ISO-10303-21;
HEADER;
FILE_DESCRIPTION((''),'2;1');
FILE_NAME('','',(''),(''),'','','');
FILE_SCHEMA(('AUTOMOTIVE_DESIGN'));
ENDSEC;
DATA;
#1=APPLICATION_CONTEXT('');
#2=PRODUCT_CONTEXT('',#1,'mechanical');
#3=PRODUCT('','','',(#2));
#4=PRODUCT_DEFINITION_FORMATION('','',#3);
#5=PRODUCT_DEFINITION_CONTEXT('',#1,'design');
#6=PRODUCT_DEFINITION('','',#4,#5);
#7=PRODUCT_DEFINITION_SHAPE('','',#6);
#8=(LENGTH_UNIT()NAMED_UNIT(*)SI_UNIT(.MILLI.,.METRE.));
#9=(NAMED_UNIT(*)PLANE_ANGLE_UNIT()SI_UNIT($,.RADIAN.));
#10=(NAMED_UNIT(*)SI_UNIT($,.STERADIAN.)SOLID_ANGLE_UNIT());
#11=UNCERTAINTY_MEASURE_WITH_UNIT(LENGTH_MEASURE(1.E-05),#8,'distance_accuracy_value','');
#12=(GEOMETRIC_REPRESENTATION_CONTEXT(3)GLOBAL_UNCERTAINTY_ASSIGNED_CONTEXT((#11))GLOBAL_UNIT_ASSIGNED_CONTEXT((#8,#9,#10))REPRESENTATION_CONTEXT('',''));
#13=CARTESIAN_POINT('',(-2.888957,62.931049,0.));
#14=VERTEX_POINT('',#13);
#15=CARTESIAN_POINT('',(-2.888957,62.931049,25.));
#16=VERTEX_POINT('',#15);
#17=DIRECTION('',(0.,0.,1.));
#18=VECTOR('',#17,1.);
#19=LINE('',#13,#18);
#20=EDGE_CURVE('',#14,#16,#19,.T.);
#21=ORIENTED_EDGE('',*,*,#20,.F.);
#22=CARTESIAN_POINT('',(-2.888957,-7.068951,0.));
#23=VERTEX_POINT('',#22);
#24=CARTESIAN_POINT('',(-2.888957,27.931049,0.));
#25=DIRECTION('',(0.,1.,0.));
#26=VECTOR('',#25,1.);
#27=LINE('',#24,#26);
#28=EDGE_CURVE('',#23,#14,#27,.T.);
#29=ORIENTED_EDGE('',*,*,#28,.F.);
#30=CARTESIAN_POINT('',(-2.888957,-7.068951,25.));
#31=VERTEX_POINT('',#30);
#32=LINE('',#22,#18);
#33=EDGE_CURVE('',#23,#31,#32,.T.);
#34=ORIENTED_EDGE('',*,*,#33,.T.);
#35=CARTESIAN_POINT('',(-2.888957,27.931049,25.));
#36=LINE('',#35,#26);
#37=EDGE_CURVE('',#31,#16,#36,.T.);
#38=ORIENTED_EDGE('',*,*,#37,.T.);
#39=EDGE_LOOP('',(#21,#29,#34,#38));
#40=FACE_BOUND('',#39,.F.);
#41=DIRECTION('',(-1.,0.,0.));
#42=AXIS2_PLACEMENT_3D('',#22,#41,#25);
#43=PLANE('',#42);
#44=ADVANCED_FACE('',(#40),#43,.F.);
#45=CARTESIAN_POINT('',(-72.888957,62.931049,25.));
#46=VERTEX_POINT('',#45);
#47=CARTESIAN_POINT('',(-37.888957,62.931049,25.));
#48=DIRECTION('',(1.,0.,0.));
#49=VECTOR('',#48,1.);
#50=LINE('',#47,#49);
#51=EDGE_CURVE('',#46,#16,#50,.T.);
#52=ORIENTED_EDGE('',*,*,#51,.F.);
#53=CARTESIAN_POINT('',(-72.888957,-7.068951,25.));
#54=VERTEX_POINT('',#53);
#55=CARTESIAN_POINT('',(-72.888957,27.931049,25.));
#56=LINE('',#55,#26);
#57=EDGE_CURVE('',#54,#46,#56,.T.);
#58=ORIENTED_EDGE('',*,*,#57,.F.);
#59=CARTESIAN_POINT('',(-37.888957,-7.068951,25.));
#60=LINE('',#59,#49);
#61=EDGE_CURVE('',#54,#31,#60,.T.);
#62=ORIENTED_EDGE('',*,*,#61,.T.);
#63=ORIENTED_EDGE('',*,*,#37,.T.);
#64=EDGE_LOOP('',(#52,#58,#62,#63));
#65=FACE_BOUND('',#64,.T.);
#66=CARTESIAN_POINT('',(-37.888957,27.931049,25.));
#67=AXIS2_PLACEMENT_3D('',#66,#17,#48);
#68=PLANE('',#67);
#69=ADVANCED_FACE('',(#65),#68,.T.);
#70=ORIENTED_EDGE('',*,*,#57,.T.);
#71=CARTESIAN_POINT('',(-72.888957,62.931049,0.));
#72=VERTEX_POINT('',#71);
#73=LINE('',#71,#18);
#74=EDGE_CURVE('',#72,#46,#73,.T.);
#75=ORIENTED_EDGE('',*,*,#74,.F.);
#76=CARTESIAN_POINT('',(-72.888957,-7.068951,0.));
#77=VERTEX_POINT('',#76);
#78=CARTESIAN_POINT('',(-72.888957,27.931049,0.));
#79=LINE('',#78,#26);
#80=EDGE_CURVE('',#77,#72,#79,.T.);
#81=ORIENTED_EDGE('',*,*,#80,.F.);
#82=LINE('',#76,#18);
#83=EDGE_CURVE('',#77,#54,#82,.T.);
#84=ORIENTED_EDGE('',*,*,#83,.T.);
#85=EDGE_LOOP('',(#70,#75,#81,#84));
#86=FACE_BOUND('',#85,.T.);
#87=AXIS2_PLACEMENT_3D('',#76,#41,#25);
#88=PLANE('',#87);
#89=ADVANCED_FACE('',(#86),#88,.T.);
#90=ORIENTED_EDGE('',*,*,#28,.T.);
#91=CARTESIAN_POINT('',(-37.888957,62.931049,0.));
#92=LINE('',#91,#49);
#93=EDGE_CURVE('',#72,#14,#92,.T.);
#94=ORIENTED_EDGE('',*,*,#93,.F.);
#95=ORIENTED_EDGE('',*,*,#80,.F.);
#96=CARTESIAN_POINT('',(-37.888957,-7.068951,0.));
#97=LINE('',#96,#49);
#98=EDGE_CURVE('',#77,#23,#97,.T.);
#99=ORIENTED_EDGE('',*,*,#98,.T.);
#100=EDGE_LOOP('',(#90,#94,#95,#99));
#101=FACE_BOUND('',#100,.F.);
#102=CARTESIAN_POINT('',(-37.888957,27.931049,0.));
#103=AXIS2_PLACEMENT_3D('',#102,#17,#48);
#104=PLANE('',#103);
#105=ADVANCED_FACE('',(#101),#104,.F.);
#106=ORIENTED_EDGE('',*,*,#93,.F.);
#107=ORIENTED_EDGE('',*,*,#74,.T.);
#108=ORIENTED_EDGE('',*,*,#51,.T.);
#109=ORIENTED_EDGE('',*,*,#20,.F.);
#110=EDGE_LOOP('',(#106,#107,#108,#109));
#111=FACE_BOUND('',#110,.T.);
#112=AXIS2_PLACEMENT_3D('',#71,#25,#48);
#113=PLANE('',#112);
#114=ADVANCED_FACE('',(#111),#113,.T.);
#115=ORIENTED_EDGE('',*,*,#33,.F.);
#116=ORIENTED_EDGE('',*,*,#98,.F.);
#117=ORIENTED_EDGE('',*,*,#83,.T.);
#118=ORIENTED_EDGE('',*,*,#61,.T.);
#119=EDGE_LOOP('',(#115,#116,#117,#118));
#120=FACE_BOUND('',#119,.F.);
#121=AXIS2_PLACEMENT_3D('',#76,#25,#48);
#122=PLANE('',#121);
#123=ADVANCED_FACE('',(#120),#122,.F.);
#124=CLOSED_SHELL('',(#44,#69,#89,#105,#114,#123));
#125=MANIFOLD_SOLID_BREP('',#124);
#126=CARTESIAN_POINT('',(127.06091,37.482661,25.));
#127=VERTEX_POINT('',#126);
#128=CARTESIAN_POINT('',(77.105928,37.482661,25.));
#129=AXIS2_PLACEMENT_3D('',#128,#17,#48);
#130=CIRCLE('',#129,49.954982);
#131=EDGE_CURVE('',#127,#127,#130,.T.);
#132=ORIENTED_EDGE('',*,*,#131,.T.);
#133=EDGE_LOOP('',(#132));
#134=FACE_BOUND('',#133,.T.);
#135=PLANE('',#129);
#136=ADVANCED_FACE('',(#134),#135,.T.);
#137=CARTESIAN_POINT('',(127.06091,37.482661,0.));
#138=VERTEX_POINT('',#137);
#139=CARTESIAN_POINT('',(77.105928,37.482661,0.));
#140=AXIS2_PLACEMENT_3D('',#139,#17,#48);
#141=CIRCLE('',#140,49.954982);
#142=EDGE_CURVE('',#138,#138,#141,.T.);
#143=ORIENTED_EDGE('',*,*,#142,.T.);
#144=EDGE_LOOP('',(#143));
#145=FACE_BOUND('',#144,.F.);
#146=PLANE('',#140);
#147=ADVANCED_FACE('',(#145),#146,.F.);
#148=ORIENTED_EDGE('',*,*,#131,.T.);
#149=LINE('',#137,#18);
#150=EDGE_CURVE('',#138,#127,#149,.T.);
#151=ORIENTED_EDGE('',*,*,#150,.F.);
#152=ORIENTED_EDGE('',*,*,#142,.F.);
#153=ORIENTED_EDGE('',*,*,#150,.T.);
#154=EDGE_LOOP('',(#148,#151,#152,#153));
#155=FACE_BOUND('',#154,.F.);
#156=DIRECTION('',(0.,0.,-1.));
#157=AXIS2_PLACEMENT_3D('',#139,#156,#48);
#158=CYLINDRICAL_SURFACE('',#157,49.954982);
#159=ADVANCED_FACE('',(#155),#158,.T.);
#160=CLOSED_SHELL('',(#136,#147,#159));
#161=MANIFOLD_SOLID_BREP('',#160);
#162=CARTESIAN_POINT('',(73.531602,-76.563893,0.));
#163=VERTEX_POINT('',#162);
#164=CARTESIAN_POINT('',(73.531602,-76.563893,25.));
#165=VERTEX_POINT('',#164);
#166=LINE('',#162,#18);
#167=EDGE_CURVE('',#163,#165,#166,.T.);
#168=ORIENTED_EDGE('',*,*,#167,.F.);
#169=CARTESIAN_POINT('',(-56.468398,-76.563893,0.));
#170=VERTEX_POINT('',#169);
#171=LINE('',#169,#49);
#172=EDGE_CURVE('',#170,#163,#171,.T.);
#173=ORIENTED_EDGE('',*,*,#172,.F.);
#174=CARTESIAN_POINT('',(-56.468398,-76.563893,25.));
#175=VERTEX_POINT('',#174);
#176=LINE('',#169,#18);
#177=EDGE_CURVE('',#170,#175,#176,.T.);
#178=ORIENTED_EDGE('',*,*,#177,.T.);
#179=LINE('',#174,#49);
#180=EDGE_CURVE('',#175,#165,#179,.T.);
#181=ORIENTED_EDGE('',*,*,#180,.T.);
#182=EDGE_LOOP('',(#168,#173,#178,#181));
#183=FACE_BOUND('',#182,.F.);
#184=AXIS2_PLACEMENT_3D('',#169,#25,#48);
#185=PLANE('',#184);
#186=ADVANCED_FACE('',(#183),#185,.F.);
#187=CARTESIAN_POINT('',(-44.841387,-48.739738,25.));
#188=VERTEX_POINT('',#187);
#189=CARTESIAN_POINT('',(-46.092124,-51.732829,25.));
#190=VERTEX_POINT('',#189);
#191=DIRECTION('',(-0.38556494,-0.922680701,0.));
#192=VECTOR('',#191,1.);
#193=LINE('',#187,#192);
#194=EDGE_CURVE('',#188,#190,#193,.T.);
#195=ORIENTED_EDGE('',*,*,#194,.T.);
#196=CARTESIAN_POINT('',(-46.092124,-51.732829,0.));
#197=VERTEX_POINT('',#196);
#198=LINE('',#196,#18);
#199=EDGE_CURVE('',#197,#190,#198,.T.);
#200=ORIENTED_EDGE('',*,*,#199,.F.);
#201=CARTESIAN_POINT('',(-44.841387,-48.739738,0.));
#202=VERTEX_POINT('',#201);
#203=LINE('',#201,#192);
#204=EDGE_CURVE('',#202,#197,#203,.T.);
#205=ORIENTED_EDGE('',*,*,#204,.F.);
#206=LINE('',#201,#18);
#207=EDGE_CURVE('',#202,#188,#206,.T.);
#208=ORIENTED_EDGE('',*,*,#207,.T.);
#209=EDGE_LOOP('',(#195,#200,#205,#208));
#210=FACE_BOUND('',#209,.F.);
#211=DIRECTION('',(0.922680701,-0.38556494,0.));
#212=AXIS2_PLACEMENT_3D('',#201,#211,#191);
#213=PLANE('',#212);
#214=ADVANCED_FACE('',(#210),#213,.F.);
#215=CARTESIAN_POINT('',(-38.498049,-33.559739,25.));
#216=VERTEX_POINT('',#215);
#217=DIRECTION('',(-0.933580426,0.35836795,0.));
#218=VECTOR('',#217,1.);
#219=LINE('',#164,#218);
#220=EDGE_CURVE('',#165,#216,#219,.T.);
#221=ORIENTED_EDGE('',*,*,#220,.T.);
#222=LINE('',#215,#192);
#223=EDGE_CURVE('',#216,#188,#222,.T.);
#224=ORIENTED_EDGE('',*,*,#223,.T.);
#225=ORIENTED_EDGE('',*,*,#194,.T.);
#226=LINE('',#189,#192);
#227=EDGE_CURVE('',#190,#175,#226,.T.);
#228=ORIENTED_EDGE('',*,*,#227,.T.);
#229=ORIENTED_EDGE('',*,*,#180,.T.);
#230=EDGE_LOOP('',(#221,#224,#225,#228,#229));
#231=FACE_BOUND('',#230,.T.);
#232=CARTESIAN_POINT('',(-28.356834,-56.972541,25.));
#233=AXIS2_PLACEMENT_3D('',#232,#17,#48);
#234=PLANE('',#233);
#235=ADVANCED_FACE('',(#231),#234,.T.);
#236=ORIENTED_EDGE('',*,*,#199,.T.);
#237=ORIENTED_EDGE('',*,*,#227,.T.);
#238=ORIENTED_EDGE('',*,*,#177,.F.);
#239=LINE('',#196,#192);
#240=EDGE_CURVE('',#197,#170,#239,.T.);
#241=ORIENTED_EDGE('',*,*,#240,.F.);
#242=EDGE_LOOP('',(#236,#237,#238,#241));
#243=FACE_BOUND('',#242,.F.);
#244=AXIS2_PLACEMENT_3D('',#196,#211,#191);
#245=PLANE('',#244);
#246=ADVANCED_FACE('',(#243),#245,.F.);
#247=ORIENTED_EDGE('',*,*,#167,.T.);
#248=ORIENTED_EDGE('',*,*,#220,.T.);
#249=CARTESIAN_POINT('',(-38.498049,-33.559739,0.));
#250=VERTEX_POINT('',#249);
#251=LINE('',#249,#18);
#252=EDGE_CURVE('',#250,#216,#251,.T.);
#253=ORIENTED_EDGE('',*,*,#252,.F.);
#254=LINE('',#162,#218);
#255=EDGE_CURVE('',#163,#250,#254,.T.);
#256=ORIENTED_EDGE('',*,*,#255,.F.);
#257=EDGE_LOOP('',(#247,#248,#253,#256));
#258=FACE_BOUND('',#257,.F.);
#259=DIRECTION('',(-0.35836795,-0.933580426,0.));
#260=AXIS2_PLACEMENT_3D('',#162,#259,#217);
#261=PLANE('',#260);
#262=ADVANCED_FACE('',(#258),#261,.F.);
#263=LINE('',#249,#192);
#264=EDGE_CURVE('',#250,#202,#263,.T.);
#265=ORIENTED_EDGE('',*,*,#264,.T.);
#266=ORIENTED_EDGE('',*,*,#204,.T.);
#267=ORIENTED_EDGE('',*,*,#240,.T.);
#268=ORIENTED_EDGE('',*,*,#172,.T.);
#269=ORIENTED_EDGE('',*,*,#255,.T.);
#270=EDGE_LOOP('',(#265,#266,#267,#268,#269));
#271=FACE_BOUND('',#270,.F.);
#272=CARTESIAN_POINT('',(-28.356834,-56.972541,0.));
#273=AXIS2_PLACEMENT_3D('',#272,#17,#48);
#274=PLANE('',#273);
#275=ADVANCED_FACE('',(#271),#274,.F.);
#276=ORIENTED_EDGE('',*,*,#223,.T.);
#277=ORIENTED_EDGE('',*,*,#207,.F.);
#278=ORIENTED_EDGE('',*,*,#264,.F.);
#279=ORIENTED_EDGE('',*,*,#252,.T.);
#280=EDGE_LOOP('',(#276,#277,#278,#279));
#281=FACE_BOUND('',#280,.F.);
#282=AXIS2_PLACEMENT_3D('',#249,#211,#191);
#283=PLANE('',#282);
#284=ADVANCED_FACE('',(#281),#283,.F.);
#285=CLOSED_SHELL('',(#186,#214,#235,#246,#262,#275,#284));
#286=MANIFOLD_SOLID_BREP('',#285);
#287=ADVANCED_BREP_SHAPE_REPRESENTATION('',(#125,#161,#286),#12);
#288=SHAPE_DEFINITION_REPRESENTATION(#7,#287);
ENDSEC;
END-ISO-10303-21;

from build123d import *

# Parameters (mm, degrees)
F0_W     = 70
F0_H     = 70
F0_R     = 34.7176544055
F1_DEPTH = 25
F0_R_2   = 49.9549817162


with BuildPart() as f1:
    # F0 (on Top) → F1 (new body)
    with BuildSketch(Plane.XY):
        with Locations((-37.8889573056, 27.9310488008)):
            Rectangle(F0_W, F0_H)
        with Locations((-37.8889573056, 27.9310488008)):
            Circle(F0_R, mode=Mode.SUBTRACT)
        with Locations((-37.8889573056, 27.9310488008)):
            Circle(F0_R)
    extrude(amount=F1_DEPTH)


with BuildPart() as f1b:
    # F0 (on Top) → F1, piece 2 (new body)
    with BuildSketch(Plane.XY):
        with Locations((77.1059280634, 37.4826608133)):
            Circle(F0_R_2)
        with Locations((77.1059280634, 37.4826608133)):
            Rectangle(F0_W, F0_H, mode=Mode.SUBTRACT)
        with Locations((77.1059280634, 37.4826608133)):
            Rectangle(F0_W, F0_H)
    extrude(amount=F1_DEPTH)


with BuildPart() as f1c:
    # F0 (on Top) → F1, piece 3 (new body)
    with BuildSketch(Plane.XY):
        with BuildLine():
            Line((-44.8413871581, -48.7397375997), (-46.0921244025, -51.7328290274))
            ThreePointArc((-46.0921244025, -51.7328290274), (-31.2286122772, -75.7585200136), (-9.7718253953, -57.3801600005))
            ThreePointArc((-9.7718253953, -57.3801600005), (-23.9216138018, -39.3210136925), (-44.8413871581, -48.7397375997))
        make_face()
        with BuildLine():
            Line((-46.0921244025, -51.7328290274), (-56.4683983001, -76.5638929389))
            Line((-56.4683983001, -76.5638929389), (73.5316016999, -76.5638929389))
            Line((73.5316016999, -76.5638929389), (-38.4980494797, -33.5597389934))
            Line((-38.4980494797, -33.5597389934), (-44.8413871581, -48.7397375997))
            ThreePointArc((-44.8413871581, -48.7397375997), (-23.9216138018, -39.3210136925), (-9.7718253953, -57.3801600005))
            ThreePointArc((-9.7718253953, -57.3801600005), (-31.2286122772, -75.7585200136), (-46.0921244025, -51.7328290274))
        make_face()
    extrude(amount=F1_DEPTH)


solid = Compound([f1.part, f1b.part, f1c.part])
